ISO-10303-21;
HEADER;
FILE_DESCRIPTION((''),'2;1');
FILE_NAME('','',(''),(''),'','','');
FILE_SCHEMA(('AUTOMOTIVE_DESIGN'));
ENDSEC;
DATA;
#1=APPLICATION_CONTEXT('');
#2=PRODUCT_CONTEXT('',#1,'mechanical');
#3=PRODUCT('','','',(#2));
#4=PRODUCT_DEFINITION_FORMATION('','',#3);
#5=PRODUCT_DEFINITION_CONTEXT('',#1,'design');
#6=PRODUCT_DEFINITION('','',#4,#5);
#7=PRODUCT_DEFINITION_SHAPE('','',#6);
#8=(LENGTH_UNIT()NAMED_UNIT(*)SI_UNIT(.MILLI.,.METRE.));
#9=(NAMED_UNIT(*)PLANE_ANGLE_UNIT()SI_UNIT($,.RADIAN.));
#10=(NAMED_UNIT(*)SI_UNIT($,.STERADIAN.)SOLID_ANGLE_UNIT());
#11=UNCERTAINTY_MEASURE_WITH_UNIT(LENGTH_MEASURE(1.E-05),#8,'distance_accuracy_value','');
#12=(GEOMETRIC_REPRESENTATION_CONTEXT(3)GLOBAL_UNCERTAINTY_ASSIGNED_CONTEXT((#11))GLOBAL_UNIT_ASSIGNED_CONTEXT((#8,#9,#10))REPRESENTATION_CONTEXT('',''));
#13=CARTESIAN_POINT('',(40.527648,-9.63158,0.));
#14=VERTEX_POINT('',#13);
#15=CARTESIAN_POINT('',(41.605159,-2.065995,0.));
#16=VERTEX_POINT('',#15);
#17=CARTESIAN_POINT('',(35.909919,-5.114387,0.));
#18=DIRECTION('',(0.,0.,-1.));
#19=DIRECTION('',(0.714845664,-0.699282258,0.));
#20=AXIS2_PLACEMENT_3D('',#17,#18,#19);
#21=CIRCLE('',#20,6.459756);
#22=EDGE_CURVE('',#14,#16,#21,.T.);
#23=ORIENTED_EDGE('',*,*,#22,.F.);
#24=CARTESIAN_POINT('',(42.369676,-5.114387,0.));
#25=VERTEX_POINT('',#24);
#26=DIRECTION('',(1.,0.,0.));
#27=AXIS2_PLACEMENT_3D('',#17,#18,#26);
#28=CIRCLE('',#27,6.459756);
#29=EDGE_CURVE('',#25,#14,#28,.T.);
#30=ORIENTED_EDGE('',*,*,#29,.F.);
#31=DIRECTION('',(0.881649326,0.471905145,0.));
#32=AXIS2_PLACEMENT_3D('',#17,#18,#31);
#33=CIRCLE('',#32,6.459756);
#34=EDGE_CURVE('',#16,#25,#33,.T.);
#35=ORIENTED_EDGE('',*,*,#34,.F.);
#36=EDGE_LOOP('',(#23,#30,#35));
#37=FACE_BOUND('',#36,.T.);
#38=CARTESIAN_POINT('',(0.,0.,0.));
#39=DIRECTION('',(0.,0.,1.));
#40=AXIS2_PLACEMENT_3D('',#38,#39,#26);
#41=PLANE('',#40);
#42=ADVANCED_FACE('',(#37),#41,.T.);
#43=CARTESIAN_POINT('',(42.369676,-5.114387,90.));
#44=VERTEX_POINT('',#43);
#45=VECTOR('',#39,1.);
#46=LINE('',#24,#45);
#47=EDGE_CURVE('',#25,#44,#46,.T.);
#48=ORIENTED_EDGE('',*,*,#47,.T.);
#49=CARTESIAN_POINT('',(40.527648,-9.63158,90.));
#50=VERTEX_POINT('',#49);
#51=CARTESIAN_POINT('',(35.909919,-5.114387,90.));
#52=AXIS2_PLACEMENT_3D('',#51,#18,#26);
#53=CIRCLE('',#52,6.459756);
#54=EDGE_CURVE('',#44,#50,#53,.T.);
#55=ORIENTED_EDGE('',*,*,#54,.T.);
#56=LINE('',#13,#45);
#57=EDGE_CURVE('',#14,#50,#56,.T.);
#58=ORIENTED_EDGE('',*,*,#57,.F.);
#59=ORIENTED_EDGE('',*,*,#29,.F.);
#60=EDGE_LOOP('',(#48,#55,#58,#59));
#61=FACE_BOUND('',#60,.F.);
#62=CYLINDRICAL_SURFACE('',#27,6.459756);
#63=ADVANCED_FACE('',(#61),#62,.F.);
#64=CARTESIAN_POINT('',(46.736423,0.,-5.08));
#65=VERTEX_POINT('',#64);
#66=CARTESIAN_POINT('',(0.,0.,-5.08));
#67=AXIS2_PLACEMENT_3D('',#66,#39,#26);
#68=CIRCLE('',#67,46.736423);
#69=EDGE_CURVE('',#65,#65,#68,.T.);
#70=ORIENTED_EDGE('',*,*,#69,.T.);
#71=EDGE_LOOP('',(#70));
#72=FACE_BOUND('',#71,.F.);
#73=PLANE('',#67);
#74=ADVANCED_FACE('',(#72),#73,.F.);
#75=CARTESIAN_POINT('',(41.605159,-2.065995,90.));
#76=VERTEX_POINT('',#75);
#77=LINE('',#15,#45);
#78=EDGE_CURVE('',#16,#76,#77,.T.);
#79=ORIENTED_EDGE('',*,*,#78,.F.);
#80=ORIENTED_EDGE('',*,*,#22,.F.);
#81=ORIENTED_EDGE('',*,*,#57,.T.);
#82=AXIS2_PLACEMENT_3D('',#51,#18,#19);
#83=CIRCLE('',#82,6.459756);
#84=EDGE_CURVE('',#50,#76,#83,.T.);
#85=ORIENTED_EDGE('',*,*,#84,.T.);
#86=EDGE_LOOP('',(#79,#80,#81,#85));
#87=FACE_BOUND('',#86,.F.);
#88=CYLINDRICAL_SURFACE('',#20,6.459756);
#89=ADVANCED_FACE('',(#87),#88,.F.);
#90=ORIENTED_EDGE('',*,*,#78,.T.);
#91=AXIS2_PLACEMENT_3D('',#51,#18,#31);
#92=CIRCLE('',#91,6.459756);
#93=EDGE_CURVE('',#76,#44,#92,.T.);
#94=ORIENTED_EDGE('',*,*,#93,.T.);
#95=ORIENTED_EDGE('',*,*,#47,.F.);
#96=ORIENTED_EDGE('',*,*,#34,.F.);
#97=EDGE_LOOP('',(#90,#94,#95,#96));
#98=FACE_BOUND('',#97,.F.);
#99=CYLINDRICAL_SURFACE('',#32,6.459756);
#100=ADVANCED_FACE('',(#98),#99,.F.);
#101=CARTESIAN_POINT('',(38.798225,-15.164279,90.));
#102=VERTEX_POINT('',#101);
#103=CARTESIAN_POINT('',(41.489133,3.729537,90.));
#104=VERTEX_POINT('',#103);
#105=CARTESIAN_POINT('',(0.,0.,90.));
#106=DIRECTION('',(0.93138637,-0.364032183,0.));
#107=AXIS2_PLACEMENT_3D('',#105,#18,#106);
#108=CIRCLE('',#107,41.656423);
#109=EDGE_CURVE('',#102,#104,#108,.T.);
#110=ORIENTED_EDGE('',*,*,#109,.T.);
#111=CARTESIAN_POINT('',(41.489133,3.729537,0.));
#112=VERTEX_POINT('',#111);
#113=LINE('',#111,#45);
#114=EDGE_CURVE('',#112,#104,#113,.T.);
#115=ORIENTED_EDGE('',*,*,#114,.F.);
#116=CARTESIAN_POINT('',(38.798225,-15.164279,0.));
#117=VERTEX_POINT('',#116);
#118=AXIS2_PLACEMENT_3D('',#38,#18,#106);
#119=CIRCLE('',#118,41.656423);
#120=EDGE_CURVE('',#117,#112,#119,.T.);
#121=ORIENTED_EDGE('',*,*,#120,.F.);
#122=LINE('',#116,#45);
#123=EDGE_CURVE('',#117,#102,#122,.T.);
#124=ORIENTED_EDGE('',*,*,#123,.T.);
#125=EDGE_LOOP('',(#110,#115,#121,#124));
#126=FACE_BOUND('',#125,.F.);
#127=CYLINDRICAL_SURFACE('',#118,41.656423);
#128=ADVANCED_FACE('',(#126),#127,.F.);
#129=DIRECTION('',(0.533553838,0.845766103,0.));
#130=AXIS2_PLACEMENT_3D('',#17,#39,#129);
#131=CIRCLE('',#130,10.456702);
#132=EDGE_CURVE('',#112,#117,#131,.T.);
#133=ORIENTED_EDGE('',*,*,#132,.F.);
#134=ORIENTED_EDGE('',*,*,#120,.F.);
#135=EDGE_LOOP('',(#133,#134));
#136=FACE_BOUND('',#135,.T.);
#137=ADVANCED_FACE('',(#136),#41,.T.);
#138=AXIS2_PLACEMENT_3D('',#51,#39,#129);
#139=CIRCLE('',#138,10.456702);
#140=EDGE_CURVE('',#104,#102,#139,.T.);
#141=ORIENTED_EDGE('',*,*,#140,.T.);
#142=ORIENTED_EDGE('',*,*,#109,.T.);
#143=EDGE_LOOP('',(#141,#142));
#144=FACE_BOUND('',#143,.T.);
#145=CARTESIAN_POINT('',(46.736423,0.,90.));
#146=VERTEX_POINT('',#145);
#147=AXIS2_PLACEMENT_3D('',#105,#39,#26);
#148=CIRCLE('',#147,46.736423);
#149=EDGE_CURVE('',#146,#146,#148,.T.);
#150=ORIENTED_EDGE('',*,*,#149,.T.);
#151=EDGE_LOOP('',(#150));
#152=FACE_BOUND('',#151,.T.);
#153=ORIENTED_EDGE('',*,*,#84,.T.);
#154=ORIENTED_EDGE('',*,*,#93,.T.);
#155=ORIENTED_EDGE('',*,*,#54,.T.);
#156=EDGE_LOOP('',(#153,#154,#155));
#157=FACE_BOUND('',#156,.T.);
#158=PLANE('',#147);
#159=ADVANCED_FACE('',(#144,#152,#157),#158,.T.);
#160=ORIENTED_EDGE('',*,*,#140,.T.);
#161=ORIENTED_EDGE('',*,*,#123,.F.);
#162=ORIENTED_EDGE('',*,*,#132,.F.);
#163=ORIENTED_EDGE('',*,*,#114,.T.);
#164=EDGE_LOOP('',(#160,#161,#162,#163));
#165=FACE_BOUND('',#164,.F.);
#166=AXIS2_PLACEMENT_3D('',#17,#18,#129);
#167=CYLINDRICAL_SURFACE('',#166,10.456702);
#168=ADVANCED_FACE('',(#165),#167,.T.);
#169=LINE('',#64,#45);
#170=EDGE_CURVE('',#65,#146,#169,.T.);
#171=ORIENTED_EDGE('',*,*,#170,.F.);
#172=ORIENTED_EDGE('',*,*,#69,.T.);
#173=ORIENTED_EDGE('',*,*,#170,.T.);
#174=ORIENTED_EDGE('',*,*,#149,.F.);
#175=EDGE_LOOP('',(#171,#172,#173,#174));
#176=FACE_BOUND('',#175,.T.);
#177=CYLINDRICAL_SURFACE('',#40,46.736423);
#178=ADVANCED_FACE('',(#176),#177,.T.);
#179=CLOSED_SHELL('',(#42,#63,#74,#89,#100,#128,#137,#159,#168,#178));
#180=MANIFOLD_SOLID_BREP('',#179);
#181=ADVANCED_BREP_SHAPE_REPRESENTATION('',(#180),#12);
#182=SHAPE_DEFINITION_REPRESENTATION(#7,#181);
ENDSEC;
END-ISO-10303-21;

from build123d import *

# Parameters (mm, degrees)
F0_R     = 46.7364231705
F1_DEPTH = 90
F2_DEPTH = 5.08


with BuildPart() as f1:
    # F0 (on Top) → F1 (new body)
    with BuildSketch(Plane.XY):
        Circle(F0_R)
        with BuildLine():
            ThreePointArc((41.4891328442, 3.7295371287), (45.0664141773, -0.0645136707), (46.3666215521, -5.1143873312))
            ThreePointArc((46.3666215521, -5.1143873312), (44.2629059571, -11.4048751184), (38.7982247453, -15.1642786828))
            ThreePointArc((38.7982247453, -15.1642786828), (-41.2402596519, 5.8735487741), (41.4891328442, 3.7295371287))
        make_face(mode=Mode.SUBTRACT)
        with BuildLine():
            ThreePointArc((41.6564231705, 0), (41.6145795731, 1.8666435953), (41.4891328442, 3.7295371287))
            ThreePointArc((41.4891328442, 3.7295371287), (25.5576831489, -3.6399940203), (38.7982247453, -15.1642786828))
            ThreePointArc((38.7982247453, -15.1642786828), (39.759290847, -12.4280482257), (40.5276479823, -9.631580368))
            ThreePointArc((40.5276479823, -9.631580368), (29.5146981634, -4.2035627486), (41.6051590045, -2.0659950561))
            ThreePointArc((41.6051590045, -2.0659950561), (41.6436051569, -1.0333154875), (41.6564231705, 0))
        make_face()
        with BuildLine():
            ThreePointArc((38.7982247453, -15.1642786828), (44.2629059571, -11.4048751184), (46.3666215521, -5.1143873312))
            ThreePointArc((46.3666215521, -5.1143873312), (45.0664141773, -0.0645136707), (41.4891328442, 3.7295371287))
            ThreePointArc((41.4891328442, 3.7295371287), (41.6145795731, 1.8666435953), (41.6564231705, 0))
            ThreePointArc((41.6564231705, 0), (41.6436051569, -1.0333154875), (41.6051590045, -2.0659950561))
            ThreePointArc((41.6051590045, -2.0659950561), (42.1756319745, -3.5429881955), (42.3696755259, -5.1143873312))
            ThreePointArc((42.3696755259, -5.1143873312), (41.8914681009, -7.5535520654), (40.5276479823, -9.631580368))
            ThreePointArc((40.5276479823, -9.631580368), (39.759290847, -12.4280482257), (38.7982247453, -15.1642786828))
        make_face()
    extrude(amount=F1_DEPTH)

    # F0 (on Top) → F2 (join)
    with BuildSketch(Plane.XY):
        Circle(F0_R)
        with BuildLine():
            ThreePointArc((41.4891328442, 3.7295371287), (45.0664141773, -0.0645136707), (46.3666215521, -5.1143873312))
            ThreePointArc((46.3666215521, -5.1143873312), (44.2629059571, -11.4048751184), (38.7982247453, -15.1642786828))
            ThreePointArc((38.7982247453, -15.1642786828), (-41.2402596519, 5.8735487741), (41.4891328442, 3.7295371287))
        make_face(mode=Mode.SUBTRACT)
        with BuildLine():
            ThreePointArc((41.6051590045, -2.0659950561), (29.5146981634, -4.2035627486), (40.5276479823, -9.631580368))
            ThreePointArc((40.5276479823, -9.631580368), (41.2402596519, -5.8735487741), (41.6051590045, -2.0659950561))
        make_face()
        with BuildLine():
            ThreePointArc((41.6051590045, -2.0659950561), (41.2402596519, -5.8735487741), (40.5276479823, -9.631580368))
            ThreePointArc((40.5276479823, -9.631580368), (41.8914681009, -7.5535520654), (42.3696755259, -5.1143873312))
            ThreePointArc((42.3696755259, -5.1143873312), (42.1756319745, -3.5429881955), (41.6051590045, -2.0659950561))
        make_face()
        with BuildLine():
            ThreePointArc((38.7982247453, -15.1642786828), (25.5576831489, -3.6399940203), (41.4891328442, 3.7295371287))
            ThreePointArc((41.4891328442, 3.7295371287), (-41.2402596519, 5.8735487741), (38.7982247453, -15.1642786828))
        make_face()
        with BuildLine():
            ThreePointArc((41.6564231705, 0), (41.6145795731, 1.8666435953), (41.4891328442, 3.7295371287))
            ThreePointArc((41.4891328442, 3.7295371287), (25.5576831489, -3.6399940203), (38.7982247453, -15.1642786828))
            ThreePointArc((38.7982247453, -15.1642786828), (39.759290847, -12.4280482257), (40.5276479823, -9.631580368))
            ThreePointArc((40.5276479823, -9.631580368), (29.5146981634, -4.2035627486), (41.6051590045, -2.0659950561))
            ThreePointArc((41.6051590045, -2.0659950561), (41.6436051569, -1.0333154875), (41.6564231705, 0))
        make_face()
        with BuildLine():
            ThreePointArc((38.7982247453, -15.1642786828), (44.2629059571, -11.4048751184), (46.3666215521, -5.1143873312))
            ThreePointArc((46.3666215521, -5.1143873312), (45.0664141773, -0.0645136707), (41.4891328442, 3.7295371287))
            ThreePointArc((41.4891328442, 3.7295371287), (41.6145795731, 1.8666435953), (41.6564231705, 0))
            ThreePointArc((41.6564231705, 0), (41.6436051569, -1.0333154875), (41.6051590045, -2.0659950561))
            ThreePointArc((41.6051590045, -2.0659950561), (42.1756319745, -3.5429881955), (42.3696755259, -5.1143873312))
            ThreePointArc((42.3696755259, -5.1143873312), (41.8914681009, -7.5535520654), (40.5276479823, -9.631580368))
            ThreePointArc((40.5276479823, -9.631580368), (39.759290847, -12.4280482257), (38.7982247453, -15.1642786828))
        make_face()
    extrude(amount=-F2_DEPTH)


solid = f1.part
